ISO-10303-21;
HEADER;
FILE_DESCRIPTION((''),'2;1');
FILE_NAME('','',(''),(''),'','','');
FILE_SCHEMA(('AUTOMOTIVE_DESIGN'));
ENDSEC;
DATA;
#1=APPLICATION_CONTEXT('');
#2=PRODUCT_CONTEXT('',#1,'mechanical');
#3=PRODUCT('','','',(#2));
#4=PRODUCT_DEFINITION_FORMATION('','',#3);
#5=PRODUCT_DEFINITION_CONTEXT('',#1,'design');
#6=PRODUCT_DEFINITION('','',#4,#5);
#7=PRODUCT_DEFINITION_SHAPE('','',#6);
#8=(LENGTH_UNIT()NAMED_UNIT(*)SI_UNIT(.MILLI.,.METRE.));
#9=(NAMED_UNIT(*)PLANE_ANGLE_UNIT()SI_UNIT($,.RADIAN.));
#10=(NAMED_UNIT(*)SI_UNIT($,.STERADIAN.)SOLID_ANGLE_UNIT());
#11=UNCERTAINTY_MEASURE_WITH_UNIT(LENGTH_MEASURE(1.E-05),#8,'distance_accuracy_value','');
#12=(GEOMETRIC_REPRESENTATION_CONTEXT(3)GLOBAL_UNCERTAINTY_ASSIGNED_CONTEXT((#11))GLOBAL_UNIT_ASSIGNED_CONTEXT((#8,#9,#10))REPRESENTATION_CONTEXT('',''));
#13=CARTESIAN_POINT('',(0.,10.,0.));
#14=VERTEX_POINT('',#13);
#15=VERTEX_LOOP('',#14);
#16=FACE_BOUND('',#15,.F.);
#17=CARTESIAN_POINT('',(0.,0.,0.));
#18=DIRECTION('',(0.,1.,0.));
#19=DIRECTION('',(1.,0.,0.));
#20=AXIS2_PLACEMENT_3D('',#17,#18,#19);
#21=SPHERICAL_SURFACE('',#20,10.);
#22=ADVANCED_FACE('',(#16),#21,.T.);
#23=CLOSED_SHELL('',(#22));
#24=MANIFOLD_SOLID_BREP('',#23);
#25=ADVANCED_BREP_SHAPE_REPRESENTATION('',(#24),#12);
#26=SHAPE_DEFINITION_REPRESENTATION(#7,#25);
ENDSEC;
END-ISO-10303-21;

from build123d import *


with BuildPart() as part:
    # Sketch1 → Revolve3 (revolve)
    with BuildSketch(Plane.XY):
        with BuildLine():
            Line((0, 10), (0, -10))
            ThreePointArc((0, -10), (10, 0), (0, 10))
        make_face()
    revolve(axis=Axis((0, 10, 0), (0, -1, 0)))


solid = part.part
